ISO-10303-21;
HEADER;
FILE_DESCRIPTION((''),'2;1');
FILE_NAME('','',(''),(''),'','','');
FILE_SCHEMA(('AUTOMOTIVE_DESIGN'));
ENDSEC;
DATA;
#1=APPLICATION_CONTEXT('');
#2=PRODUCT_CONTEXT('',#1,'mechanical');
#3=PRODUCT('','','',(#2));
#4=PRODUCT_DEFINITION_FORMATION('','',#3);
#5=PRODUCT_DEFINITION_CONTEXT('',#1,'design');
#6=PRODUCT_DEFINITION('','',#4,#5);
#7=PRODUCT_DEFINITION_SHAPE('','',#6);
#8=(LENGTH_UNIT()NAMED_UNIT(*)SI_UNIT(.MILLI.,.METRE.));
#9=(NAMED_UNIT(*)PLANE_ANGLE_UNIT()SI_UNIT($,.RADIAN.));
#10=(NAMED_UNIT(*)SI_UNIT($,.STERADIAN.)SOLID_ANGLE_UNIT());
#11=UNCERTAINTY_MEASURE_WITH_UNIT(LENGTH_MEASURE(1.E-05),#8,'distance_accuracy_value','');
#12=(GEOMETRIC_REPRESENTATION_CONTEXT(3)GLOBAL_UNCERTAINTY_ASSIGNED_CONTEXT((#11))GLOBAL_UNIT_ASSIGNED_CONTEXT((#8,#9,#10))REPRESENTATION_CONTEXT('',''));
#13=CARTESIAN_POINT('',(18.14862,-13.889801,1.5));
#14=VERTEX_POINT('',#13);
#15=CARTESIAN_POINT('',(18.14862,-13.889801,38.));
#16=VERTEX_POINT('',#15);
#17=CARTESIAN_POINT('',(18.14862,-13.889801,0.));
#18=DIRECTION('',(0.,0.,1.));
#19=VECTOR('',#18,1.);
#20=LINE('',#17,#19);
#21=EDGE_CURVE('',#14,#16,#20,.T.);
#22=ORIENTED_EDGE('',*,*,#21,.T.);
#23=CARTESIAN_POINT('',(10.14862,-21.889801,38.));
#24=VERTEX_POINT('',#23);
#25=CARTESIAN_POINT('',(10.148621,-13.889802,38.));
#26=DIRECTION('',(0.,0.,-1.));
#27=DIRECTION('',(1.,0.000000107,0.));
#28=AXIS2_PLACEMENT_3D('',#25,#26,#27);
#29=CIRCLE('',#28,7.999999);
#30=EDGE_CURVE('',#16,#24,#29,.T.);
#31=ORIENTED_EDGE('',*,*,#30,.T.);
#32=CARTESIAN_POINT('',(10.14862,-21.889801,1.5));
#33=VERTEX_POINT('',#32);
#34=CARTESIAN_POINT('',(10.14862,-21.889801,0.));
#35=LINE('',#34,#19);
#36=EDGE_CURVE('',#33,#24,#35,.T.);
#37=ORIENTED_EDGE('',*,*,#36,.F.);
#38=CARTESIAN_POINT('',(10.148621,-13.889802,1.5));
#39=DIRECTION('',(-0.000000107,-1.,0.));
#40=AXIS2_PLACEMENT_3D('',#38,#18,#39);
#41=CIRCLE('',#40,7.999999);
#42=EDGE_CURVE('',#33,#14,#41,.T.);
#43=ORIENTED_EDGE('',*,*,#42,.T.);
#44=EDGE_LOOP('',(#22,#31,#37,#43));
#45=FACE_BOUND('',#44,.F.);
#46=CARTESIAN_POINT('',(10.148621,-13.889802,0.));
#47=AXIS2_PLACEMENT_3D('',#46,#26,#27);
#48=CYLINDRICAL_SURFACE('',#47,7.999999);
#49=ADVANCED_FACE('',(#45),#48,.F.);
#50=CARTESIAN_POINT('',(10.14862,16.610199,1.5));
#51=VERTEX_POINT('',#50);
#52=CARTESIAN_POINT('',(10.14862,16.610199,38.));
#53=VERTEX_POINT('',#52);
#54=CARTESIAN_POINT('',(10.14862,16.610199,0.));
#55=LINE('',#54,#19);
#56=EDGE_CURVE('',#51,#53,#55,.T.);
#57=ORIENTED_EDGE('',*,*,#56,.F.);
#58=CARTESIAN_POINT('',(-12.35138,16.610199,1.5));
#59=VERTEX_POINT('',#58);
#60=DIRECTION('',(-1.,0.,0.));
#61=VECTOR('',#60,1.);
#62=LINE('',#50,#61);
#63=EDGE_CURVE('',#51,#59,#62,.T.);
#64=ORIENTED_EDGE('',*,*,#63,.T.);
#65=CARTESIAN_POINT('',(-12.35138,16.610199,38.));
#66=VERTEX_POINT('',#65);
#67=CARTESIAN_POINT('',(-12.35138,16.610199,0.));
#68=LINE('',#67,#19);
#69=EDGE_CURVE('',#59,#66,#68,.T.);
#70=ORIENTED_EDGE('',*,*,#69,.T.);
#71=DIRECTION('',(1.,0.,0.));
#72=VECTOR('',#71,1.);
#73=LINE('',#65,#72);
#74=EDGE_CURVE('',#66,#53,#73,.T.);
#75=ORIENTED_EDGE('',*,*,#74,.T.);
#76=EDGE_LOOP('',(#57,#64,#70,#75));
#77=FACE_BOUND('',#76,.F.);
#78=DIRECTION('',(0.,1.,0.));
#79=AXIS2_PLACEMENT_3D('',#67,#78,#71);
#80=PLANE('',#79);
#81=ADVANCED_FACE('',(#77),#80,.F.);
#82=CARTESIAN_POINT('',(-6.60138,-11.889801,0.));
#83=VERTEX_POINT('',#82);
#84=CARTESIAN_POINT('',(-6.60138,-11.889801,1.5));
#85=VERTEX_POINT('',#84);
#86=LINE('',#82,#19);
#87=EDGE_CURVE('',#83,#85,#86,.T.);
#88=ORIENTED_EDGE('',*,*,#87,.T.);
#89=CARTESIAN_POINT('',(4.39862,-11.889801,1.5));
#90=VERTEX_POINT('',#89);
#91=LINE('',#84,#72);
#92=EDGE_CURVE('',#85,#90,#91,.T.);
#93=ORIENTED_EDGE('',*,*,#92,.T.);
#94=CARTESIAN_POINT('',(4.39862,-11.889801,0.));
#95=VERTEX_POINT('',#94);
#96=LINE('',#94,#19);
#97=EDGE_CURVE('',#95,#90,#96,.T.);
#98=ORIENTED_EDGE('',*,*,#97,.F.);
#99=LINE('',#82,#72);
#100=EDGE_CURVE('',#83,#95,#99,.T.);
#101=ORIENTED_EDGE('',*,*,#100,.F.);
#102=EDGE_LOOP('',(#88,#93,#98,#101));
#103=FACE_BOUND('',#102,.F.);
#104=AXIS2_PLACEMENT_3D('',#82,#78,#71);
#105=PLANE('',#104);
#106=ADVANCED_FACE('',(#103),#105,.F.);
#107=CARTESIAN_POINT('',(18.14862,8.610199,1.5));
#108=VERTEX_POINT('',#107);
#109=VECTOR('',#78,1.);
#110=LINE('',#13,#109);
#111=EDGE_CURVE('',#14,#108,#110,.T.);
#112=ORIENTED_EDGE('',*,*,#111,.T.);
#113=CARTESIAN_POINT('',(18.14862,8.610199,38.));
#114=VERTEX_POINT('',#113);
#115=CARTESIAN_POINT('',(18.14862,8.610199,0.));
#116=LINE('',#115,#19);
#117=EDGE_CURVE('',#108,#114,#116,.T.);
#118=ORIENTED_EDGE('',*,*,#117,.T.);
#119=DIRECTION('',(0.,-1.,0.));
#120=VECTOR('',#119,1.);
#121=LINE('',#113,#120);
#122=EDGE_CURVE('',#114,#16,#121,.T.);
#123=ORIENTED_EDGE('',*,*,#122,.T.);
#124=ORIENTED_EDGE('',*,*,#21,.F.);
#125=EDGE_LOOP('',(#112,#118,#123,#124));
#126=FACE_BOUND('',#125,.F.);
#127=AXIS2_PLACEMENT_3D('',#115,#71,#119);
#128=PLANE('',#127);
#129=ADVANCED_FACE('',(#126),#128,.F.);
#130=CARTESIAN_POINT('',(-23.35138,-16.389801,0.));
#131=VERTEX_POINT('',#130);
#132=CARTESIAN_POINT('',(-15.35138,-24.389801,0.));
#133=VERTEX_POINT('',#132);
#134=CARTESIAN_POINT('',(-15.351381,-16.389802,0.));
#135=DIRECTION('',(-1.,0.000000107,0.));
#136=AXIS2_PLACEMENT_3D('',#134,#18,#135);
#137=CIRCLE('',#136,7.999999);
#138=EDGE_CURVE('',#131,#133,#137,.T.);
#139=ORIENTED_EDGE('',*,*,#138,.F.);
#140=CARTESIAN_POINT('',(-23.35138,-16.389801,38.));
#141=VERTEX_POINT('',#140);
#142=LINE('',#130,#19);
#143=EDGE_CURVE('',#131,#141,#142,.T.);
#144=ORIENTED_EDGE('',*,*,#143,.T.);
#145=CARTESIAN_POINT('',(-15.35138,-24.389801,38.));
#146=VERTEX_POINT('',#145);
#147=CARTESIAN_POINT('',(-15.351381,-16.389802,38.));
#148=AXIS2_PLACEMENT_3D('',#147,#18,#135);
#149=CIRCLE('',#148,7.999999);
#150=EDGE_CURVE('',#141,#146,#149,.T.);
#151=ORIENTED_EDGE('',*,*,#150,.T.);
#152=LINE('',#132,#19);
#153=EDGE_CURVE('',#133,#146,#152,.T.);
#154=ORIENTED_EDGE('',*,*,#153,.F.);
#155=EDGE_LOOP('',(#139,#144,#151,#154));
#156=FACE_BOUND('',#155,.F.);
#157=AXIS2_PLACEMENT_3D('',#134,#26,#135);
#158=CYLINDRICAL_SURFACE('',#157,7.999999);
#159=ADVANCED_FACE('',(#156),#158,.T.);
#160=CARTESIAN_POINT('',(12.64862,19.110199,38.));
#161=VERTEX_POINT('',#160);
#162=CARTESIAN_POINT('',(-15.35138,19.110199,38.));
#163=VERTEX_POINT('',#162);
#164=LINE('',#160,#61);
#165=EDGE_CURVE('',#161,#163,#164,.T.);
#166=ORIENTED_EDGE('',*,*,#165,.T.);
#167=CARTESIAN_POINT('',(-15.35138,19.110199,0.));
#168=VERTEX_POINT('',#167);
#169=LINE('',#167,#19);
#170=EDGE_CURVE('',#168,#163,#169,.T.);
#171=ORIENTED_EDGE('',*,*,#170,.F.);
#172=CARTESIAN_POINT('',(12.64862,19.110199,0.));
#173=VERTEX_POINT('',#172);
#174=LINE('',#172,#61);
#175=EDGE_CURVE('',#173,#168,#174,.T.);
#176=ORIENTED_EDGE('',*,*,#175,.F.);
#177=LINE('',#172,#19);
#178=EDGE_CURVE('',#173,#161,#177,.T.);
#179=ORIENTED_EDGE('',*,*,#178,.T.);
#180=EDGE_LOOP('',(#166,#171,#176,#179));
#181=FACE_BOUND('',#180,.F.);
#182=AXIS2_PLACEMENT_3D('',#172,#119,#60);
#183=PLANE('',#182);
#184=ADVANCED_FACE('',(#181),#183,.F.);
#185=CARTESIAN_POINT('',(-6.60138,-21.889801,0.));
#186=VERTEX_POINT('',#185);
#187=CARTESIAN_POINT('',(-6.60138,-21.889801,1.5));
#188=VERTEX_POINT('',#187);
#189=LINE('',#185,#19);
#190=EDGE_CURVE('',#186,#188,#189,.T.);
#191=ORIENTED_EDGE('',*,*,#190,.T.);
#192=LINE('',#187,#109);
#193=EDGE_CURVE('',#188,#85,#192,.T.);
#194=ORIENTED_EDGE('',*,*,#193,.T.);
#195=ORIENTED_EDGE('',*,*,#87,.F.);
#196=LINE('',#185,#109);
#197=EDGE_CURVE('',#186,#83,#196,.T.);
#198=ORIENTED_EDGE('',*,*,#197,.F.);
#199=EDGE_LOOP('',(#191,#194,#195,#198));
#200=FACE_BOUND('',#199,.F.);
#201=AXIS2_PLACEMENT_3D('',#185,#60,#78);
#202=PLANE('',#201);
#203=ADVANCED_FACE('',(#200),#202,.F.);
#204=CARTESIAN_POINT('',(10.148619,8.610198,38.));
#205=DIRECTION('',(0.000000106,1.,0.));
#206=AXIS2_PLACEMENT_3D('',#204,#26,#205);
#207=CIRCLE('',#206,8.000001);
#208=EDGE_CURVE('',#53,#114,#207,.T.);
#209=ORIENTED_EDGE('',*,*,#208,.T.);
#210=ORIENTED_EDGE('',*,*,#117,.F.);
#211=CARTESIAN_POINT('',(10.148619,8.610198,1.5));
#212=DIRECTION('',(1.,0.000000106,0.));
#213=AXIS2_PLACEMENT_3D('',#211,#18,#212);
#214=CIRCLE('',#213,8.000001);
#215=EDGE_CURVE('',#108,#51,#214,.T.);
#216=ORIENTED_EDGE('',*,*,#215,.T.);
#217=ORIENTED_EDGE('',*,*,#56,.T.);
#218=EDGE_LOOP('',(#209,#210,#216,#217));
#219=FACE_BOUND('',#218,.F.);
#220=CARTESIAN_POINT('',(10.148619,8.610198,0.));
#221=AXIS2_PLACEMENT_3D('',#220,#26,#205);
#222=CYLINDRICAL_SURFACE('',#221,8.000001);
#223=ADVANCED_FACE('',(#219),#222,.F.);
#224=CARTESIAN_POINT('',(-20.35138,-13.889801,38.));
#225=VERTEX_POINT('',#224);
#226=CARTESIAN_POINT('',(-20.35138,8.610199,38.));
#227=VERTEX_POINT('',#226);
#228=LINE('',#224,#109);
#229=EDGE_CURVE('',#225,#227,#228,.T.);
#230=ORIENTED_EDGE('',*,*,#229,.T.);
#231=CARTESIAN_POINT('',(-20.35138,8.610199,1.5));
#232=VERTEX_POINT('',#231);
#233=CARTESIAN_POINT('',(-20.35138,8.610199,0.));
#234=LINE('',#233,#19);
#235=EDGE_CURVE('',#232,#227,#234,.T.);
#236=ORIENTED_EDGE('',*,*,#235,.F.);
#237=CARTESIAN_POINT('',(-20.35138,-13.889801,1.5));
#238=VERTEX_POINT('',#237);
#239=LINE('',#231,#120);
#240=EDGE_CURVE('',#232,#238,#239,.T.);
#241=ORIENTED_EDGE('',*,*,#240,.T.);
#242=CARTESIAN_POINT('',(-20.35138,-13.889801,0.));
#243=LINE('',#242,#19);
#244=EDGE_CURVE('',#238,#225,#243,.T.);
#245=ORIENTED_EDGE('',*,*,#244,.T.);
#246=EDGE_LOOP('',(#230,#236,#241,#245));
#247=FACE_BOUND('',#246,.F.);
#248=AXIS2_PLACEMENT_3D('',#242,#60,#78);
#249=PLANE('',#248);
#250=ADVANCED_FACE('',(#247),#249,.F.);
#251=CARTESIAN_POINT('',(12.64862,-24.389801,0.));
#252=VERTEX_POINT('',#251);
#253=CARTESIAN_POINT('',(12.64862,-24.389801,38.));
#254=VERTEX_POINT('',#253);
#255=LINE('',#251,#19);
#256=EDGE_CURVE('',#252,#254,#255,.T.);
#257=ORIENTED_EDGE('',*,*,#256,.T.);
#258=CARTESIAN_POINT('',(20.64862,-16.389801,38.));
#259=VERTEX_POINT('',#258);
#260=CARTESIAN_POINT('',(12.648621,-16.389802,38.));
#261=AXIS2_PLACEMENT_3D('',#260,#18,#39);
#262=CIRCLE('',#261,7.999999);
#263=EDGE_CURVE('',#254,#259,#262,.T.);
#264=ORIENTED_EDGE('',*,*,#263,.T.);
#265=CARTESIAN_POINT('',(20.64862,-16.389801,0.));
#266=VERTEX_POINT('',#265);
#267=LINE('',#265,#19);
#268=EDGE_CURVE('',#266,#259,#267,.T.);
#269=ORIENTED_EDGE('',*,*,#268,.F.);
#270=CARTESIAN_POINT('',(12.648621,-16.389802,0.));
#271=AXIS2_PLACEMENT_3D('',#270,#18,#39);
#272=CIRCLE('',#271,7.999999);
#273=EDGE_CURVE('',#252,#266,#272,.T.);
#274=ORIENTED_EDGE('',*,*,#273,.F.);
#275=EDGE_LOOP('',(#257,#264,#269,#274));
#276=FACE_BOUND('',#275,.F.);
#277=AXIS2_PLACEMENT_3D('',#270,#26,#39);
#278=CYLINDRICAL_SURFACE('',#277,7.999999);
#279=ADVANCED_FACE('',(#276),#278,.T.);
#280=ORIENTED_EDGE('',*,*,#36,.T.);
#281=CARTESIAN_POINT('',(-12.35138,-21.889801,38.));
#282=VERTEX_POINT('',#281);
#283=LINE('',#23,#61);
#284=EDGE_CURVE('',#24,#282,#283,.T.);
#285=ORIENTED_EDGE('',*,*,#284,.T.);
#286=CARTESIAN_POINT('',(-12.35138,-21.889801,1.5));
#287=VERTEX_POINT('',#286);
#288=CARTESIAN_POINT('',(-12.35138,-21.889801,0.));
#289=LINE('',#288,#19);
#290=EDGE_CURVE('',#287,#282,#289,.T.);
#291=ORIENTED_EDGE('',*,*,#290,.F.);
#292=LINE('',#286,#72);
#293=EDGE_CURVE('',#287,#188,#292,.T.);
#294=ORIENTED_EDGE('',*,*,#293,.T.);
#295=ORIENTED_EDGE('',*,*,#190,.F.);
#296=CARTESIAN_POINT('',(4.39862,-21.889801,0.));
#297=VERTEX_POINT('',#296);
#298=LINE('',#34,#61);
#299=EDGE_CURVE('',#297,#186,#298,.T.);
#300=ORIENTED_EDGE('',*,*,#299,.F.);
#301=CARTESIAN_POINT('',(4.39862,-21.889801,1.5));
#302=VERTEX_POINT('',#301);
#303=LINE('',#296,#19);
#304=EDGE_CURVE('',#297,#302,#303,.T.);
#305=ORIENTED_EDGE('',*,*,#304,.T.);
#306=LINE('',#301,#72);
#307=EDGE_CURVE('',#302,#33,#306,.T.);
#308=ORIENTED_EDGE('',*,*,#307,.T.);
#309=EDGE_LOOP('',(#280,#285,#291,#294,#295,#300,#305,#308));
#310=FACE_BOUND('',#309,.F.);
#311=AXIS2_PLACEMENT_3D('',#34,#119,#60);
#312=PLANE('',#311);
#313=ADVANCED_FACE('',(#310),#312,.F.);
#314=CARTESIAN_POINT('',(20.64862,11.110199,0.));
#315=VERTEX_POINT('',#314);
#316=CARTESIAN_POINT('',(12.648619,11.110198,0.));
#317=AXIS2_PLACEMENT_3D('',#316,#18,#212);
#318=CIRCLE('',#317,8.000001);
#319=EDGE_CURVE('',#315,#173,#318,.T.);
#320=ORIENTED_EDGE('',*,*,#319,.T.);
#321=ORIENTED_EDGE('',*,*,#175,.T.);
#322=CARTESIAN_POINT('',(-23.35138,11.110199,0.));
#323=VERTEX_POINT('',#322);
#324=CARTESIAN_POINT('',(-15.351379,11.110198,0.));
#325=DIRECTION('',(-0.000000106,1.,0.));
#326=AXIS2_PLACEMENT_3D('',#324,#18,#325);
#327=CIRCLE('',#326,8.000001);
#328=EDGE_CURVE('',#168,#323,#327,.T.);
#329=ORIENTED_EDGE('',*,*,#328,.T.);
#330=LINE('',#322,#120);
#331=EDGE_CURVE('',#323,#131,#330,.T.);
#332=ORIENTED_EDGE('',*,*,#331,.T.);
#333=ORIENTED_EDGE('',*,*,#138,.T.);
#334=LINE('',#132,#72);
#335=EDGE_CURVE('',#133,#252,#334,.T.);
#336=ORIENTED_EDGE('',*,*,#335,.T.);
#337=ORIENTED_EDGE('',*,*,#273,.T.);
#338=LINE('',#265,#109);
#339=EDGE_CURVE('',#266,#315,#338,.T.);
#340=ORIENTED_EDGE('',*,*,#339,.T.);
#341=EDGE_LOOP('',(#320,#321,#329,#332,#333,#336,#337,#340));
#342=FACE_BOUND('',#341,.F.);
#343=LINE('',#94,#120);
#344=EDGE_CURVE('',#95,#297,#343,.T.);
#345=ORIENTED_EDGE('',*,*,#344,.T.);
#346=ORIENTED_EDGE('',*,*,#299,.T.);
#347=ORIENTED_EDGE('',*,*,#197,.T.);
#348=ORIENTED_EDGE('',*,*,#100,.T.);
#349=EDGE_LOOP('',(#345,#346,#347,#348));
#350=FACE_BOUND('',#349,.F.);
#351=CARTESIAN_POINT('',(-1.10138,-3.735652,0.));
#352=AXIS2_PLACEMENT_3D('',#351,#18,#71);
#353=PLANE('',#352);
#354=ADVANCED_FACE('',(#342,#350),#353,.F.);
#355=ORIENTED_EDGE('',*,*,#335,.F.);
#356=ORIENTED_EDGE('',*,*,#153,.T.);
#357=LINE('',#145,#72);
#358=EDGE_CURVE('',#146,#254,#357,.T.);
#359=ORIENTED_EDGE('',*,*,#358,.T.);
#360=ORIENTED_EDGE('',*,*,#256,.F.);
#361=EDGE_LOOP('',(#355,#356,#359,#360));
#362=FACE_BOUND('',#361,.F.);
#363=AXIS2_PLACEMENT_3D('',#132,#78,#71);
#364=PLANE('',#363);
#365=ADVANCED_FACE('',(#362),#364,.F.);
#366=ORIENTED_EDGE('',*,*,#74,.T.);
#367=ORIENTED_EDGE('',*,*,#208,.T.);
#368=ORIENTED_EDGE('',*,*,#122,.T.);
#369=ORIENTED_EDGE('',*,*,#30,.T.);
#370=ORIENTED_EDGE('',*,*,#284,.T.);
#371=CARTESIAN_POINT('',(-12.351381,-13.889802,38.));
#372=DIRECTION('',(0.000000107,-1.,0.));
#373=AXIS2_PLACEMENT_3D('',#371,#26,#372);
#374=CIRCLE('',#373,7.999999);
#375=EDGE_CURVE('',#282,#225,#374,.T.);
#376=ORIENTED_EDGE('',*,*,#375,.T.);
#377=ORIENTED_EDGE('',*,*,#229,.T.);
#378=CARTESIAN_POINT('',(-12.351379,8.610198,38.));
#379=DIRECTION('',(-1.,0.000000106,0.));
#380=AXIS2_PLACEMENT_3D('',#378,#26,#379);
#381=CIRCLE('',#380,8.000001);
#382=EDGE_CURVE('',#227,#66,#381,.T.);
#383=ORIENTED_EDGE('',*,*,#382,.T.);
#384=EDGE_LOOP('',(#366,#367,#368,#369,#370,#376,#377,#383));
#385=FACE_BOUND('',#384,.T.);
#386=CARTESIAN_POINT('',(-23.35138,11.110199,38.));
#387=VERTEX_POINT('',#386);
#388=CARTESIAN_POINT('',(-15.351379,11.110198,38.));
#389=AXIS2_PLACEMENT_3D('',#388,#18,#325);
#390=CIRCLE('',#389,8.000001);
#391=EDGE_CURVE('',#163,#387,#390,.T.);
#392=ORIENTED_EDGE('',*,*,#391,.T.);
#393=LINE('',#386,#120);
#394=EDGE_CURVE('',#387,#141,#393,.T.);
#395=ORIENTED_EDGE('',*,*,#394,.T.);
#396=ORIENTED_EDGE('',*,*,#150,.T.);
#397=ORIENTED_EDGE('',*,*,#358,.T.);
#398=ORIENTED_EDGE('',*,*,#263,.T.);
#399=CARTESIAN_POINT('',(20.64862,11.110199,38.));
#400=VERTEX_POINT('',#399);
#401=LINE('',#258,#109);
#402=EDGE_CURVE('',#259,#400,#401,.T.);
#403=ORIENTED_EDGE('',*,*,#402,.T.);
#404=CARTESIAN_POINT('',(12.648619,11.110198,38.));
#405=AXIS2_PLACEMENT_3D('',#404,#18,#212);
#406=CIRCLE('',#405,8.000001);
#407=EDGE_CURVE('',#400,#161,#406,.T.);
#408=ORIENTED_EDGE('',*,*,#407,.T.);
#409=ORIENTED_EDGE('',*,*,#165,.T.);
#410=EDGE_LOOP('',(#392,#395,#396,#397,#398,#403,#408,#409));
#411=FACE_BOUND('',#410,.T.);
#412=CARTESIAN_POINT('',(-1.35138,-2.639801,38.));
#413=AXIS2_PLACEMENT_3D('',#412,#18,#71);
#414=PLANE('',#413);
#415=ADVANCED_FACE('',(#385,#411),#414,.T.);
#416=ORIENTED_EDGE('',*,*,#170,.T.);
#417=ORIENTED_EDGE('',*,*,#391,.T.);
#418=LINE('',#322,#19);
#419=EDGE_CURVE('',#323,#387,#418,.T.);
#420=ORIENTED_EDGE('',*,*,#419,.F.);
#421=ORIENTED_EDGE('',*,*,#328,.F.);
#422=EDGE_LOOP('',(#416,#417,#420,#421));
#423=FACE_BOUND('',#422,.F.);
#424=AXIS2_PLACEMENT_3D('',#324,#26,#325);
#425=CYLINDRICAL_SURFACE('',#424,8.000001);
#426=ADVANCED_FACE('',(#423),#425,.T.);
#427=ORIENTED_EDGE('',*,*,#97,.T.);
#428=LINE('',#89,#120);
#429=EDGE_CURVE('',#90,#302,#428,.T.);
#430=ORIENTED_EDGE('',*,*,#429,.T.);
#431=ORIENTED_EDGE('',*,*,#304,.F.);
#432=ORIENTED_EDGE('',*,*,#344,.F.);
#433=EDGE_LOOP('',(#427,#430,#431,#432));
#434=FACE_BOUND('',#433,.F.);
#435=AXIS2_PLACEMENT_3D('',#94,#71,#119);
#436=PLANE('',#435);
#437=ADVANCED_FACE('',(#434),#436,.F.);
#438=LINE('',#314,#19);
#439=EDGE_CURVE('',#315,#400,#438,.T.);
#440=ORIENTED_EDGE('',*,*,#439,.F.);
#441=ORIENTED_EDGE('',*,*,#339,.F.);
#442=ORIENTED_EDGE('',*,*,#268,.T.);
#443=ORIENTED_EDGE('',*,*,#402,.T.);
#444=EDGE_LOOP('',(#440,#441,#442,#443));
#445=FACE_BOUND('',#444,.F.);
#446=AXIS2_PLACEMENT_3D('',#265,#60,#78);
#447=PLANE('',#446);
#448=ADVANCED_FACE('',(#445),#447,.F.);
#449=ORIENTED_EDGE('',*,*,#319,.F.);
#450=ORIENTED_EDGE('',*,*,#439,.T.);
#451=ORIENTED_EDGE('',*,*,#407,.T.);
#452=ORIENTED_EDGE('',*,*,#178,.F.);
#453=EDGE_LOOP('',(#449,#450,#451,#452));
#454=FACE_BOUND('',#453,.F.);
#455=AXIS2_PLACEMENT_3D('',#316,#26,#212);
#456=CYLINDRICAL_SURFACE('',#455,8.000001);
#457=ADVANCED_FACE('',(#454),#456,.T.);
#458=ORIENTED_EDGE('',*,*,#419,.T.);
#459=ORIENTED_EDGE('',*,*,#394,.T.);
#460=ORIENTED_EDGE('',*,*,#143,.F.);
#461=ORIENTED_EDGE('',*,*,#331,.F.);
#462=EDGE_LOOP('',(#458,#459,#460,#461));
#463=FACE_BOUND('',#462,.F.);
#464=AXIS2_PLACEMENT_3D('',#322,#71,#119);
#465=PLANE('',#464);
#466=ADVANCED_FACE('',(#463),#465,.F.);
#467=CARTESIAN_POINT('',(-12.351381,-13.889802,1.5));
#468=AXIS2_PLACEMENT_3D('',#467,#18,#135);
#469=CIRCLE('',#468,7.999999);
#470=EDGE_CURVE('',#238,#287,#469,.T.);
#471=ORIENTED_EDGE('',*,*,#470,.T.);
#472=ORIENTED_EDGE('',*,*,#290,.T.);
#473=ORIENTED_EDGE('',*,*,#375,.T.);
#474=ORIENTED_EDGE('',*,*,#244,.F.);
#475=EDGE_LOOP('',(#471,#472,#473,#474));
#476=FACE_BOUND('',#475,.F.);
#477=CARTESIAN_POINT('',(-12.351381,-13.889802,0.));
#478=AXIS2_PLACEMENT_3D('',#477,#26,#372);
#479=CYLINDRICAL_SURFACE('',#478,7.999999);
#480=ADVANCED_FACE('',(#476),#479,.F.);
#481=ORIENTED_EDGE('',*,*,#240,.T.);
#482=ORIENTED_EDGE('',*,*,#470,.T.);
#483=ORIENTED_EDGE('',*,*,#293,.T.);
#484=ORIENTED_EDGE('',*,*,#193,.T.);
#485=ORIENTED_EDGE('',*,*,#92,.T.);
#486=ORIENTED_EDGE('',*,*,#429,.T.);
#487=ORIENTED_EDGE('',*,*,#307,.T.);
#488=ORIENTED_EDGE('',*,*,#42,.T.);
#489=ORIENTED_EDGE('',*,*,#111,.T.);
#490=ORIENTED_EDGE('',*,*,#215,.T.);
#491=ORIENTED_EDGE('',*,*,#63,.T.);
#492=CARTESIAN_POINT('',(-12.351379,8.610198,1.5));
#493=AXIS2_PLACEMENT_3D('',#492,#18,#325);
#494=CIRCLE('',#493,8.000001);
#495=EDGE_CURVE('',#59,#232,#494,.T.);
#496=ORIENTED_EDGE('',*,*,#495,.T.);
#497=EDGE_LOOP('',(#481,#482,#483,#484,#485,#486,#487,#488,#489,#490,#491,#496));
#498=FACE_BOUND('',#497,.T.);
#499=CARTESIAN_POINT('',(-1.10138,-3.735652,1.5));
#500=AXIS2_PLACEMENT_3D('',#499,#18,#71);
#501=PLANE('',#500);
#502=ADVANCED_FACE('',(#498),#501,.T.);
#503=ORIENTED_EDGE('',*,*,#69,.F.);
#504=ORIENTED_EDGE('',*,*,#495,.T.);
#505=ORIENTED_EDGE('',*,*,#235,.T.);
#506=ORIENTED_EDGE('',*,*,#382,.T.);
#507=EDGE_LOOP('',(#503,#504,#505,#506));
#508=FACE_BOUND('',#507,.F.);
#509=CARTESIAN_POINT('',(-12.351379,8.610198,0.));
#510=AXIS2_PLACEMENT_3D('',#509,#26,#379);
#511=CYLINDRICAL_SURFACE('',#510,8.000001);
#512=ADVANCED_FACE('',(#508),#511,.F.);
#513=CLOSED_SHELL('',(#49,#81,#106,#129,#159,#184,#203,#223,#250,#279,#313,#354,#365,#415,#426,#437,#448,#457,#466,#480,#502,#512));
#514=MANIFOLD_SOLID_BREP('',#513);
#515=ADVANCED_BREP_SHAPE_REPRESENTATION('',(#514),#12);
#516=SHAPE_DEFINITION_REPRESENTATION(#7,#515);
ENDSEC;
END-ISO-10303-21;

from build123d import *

# Parameters (mm, degrees)
F1_DEPTH = 38
F2_DEPTH = 1.5


with BuildPart() as f1:
    # F0 (on Top) → F1 (new body)
    with BuildSketch(Plane.XY):
        with BuildLine():
            Line((12.64862, 19.110199), (-15.35138, 19.110199))
            ThreePointArc((-15.35138, 19.110199), (-21.008234, 16.767053), (-23.35138, 11.110199))
            Line((-23.35138, 11.110199), (-23.35138, -16.389801))
            ThreePointArc((-23.35138, -16.389801), (-21.008234, -22.046656), (-15.35138, -24.389801))
            Line((-15.35138, -24.389801), (12.64862, -24.389801))
            ThreePointArc((12.64862, -24.389801), (18.305474, -22.046656), (20.64862, -16.389801))
            Line((20.64862, -16.389801), (20.64862, 11.110199))
            ThreePointArc((20.64862, 11.110199), (18.305474, 16.767053), (12.64862, 19.110199))
        make_face()
        with BuildLine():
            ThreePointArc((-20.35138, 8.610199), (-18.008234, 14.267053), (-12.35138, 16.610199))
            Line((-12.35138, 16.610199), (10.14862, 16.610199))
            ThreePointArc((10.14862, 16.610199), (15.805474, 14.267053), (18.14862, 8.610199))
            Line((18.14862, 8.610199), (18.14862, -13.889801))
            ThreePointArc((18.14862, -13.889801), (15.805474, -19.546656), (10.14862, -21.889801))
            Line((10.14862, -21.889801), (4.39862, -21.889801))
            Line((4.39862, -21.889801), (-6.60138, -21.889801))
            Line((-6.60138, -21.889801), (-12.35138, -21.889801))
            ThreePointArc((-12.35138, -21.889801), (-18.008234, -19.546656), (-20.35138, -13.889801))
            Line((-20.35138, -13.889801), (-20.35138, 8.610199))
        make_face(mode=Mode.SUBTRACT)
    extrude(amount=F1_DEPTH)

    # F0 (on Top) → F2 (join)
    with BuildSketch(Plane.XY):
        with BuildLine():
            Line((10.14862, 16.610199), (-12.35138, 16.610199))
            ThreePointArc((-12.35138, 16.610199), (-18.008234, 14.267053), (-20.35138, 8.610199))
            Line((-20.35138, 8.610199), (-20.35138, -13.889801))
            ThreePointArc((-20.35138, -13.889801), (-18.008234, -19.546656), (-12.35138, -21.889801))
            Line((-12.35138, -21.889801), (-6.60138, -21.889801))
            Line((-6.60138, -21.889801), (-6.60138, -11.889801))
            Line((-6.60138, -11.889801), (4.39862, -11.889801))
            Line((4.39862, -11.889801), (4.39862, -21.889801))
            Line((4.39862, -21.889801), (10.14862, -21.889801))
            ThreePointArc((10.14862, -21.889801), (15.805474, -19.546656), (18.14862, -13.889801))
            Line((18.14862, -13.889801), (18.14862, 8.610199))
            ThreePointArc((18.14862, 8.610199), (15.805474, 14.267053), (10.14862, 16.610199))
        make_face()
    extrude(amount=F2_DEPTH)


solid = f1.part
